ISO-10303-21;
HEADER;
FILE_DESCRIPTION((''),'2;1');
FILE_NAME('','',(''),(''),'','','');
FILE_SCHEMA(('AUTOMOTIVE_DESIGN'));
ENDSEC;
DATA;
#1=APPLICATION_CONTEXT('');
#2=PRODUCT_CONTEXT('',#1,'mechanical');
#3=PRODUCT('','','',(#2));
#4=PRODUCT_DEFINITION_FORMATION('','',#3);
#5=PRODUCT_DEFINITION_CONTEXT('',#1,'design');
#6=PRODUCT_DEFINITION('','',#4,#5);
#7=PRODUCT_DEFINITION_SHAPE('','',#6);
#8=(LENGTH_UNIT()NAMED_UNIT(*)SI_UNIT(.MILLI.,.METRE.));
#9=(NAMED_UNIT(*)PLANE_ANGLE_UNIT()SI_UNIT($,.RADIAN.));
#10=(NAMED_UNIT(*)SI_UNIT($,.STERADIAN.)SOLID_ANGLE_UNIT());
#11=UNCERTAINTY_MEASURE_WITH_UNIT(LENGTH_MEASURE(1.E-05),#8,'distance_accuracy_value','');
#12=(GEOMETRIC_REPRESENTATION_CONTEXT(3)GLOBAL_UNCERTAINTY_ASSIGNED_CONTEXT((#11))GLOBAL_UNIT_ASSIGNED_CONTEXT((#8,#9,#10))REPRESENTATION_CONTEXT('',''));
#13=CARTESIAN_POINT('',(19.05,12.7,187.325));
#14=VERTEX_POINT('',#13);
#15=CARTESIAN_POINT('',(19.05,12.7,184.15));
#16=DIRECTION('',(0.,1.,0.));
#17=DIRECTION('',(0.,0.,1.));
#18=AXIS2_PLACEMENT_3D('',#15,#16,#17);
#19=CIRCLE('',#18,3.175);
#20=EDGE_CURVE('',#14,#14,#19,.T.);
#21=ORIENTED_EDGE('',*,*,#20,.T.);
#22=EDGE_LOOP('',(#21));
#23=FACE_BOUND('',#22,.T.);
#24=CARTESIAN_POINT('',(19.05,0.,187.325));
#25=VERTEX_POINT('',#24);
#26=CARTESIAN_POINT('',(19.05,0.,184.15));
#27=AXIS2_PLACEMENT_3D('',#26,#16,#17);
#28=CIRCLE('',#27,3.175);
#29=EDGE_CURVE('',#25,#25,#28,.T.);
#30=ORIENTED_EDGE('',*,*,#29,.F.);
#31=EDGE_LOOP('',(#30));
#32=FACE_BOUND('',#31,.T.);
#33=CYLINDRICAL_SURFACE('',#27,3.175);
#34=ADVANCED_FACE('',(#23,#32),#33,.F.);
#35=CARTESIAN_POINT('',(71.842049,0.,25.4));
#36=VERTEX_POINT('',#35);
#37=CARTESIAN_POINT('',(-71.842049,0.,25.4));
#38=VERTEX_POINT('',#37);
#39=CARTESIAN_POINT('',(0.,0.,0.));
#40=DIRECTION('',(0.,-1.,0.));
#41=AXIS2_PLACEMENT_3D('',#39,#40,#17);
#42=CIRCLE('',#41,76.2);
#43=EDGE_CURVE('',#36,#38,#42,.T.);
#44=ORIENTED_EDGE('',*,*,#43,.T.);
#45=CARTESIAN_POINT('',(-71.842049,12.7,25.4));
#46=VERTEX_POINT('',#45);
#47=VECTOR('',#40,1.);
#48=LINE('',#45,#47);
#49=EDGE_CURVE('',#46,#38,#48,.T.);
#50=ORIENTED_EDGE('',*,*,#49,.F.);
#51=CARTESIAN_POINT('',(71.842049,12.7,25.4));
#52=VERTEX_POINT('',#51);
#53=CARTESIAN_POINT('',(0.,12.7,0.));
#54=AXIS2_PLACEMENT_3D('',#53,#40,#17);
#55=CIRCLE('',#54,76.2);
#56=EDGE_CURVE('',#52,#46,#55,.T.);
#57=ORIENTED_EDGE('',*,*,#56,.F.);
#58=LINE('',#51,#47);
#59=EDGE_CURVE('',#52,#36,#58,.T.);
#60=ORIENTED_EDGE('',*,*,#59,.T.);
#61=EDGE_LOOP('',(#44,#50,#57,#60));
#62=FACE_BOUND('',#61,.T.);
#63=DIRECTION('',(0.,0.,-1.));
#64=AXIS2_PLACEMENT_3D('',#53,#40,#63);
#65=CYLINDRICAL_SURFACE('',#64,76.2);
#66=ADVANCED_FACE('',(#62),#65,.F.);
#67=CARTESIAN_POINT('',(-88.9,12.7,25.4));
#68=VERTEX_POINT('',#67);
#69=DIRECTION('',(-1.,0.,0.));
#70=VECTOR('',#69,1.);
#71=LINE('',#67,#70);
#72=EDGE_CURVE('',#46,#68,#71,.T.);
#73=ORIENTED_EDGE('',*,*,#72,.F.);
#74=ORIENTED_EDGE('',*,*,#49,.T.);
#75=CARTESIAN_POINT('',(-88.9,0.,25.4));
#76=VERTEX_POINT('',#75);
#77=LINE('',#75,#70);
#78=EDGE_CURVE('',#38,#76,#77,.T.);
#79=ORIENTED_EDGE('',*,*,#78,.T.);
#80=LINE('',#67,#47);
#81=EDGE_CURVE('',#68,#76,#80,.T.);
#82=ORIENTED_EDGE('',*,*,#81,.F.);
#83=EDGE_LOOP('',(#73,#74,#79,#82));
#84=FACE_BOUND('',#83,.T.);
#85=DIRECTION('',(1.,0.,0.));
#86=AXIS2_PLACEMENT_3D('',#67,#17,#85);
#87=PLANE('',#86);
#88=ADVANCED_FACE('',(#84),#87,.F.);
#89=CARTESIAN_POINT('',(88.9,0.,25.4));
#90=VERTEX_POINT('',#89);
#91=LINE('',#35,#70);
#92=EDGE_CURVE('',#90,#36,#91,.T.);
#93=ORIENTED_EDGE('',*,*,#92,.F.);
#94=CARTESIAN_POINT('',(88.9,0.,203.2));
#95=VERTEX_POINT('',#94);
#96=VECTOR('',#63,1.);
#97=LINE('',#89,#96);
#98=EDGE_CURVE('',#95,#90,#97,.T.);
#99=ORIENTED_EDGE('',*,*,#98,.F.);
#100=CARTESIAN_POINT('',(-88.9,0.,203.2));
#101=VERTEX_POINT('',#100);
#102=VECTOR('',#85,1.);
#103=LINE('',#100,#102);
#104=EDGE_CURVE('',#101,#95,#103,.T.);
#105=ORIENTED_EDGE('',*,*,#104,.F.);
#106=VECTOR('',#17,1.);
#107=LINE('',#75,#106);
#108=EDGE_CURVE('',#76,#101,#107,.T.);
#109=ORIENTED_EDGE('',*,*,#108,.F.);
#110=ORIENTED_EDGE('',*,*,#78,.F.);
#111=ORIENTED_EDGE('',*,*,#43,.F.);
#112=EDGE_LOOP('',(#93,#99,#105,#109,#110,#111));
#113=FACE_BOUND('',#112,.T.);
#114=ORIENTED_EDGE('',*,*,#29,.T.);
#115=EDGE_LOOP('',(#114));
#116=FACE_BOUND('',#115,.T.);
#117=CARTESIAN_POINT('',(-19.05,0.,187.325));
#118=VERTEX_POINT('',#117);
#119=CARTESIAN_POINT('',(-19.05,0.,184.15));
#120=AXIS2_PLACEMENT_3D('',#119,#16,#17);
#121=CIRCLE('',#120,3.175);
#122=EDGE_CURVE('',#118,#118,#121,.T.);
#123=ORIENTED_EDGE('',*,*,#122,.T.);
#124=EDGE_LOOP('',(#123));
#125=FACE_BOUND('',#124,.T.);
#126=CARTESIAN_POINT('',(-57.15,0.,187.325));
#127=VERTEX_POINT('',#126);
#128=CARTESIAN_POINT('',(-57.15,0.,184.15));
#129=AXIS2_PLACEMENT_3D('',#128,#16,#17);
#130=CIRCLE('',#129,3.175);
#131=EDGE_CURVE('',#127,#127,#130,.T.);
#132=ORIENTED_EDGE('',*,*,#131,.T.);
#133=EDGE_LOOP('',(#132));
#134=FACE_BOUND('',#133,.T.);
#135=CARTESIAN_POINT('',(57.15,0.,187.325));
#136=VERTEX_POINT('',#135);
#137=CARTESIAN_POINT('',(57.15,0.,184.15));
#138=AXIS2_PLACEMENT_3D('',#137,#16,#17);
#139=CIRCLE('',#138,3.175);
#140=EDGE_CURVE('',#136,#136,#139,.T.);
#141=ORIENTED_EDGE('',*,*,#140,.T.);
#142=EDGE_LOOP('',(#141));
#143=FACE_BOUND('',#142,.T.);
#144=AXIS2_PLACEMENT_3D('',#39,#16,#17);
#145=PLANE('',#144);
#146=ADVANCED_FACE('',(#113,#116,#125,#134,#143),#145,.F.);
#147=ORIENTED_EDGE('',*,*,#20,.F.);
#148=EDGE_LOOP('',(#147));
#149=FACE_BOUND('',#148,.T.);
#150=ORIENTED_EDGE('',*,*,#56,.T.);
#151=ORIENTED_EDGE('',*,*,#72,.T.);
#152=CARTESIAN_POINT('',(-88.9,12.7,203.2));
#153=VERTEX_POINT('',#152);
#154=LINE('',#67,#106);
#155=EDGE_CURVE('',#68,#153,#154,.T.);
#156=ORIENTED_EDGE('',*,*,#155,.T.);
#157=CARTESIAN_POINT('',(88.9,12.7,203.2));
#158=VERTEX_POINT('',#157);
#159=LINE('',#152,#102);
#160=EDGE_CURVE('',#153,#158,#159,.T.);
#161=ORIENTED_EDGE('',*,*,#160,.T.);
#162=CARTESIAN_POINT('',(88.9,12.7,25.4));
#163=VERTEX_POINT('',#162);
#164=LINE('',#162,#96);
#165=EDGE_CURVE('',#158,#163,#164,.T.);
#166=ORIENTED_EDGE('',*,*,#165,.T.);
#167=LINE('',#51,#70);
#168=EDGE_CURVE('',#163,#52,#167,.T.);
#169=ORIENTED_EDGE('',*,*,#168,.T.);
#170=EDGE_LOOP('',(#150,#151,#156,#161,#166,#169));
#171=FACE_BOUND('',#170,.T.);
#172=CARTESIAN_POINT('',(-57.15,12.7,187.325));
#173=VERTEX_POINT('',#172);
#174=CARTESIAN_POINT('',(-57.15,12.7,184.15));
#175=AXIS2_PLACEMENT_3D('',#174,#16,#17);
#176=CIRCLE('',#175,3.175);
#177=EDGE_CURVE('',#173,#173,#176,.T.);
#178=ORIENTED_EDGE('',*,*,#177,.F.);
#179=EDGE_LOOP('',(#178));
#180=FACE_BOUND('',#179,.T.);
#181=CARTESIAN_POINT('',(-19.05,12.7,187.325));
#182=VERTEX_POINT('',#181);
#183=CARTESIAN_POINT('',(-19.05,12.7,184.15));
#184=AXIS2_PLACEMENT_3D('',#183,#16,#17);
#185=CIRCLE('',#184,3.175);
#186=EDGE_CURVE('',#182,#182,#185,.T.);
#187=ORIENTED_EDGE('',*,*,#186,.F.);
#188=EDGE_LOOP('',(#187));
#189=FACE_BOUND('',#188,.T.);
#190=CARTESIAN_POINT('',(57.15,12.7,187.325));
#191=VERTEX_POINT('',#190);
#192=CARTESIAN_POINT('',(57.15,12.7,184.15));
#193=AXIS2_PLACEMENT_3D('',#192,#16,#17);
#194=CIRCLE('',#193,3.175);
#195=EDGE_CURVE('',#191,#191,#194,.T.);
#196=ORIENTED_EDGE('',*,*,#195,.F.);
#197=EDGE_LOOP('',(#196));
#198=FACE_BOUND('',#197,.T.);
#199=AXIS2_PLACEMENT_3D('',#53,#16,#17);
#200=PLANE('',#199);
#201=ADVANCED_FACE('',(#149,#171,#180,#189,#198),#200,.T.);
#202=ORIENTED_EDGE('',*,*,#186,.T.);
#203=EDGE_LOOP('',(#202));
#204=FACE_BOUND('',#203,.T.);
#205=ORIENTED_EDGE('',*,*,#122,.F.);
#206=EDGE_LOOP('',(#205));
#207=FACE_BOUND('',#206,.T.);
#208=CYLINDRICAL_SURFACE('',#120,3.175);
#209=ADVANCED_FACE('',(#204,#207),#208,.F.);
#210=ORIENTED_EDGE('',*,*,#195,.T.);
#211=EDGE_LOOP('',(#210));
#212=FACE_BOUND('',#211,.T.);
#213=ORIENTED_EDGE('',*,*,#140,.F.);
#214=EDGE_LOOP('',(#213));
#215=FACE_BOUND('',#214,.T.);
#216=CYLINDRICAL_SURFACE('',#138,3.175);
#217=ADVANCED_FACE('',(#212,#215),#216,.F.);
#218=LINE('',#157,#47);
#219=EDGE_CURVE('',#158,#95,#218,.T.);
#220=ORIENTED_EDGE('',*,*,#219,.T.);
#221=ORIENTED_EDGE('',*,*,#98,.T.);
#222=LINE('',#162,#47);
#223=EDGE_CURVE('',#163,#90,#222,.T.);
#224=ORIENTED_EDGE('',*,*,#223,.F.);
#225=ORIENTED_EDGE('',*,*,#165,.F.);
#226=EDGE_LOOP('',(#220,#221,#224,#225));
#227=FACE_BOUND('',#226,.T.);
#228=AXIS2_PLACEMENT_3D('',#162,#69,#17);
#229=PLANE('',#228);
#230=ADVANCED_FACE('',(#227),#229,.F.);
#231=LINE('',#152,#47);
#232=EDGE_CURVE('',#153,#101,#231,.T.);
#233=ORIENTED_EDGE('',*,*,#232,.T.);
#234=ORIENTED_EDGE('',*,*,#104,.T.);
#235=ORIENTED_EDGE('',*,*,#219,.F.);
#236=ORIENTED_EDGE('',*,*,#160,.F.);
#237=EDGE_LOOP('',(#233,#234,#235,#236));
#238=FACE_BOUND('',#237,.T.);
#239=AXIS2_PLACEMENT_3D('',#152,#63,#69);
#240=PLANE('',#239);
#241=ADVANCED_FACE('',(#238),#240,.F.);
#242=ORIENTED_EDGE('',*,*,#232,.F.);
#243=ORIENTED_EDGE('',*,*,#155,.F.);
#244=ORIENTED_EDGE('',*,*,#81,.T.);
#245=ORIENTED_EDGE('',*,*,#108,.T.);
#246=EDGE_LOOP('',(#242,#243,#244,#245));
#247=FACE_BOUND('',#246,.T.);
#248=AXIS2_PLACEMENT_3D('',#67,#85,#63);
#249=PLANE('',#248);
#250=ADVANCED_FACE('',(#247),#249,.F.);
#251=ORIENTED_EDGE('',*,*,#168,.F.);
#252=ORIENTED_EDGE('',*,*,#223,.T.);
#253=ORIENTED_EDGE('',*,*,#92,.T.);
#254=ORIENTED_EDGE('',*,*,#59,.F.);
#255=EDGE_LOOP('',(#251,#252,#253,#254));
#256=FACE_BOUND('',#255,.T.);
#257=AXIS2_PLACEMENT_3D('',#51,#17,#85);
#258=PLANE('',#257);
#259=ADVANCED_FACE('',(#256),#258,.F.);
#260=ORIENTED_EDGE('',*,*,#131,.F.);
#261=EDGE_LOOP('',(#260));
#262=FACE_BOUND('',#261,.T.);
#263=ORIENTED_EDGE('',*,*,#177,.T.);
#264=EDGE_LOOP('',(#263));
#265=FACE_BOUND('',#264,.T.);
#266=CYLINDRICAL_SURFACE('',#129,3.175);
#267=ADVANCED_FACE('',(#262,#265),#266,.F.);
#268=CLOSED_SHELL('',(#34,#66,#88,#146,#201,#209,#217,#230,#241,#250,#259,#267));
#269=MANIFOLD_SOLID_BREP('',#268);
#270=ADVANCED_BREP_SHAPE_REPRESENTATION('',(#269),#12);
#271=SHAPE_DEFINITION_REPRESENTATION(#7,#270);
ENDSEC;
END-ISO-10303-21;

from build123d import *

# Parameters (mm, degrees)
BOSS_EXTRUDE1_DEPTH = 12.7
SKETCH2_R           = 3.175
CUT_EXTRUDE1_DEPTH  = 223.159267194


with BuildPart() as part:
    # Sketch1 → Boss-Extrude1 (new body)
    with BuildSketch(Plane(origin=(0, 0, 0), x_dir=(1, 0, 0), z_dir=(0, 1, 0))):
        with BuildLine():
            Line((-88.9, -25.4), (-71.842048969, -25.4))
            ThreePointArc((-71.842048969, -25.4), (0, -76.2), (71.842048969, -25.4))
            Line((71.842048969, -25.4), (88.9, -25.4))
            Line((88.9, -25.4), (88.9, -203.2))
            Line((88.9, -203.2), (-88.9, -203.2))
            Line((-88.9, -203.2), (-88.9, -25.4))
        make_face()
    extrude(amount=BOSS_EXTRUDE1_DEPTH)

    # Sketch2 → Cut-Extrude1 (cut, through all)
    with BuildSketch(Plane(origin=(0, 12.7, 0), x_dir=(1, 0, 0), z_dir=(0, 1, 0))):
        with Locations(Location((-19.05, -184.15, 0), (0, 0, 270))):
            Circle(SKETCH2_R)
        with Locations(Location((19.05, -184.15, 0), (0, 0, 270))):
            Circle(SKETCH2_R)
        with Locations(Location((57.15, -184.15, 0), (0, 0, 270))):
            Circle(SKETCH2_R)
        with Locations(Location((-57.15, -184.15, 0), (0, 0, 270))):
            Circle(SKETCH2_R)
    extrude(amount=-CUT_EXTRUDE1_DEPTH, mode=Mode.SUBTRACT)


solid = part.part
